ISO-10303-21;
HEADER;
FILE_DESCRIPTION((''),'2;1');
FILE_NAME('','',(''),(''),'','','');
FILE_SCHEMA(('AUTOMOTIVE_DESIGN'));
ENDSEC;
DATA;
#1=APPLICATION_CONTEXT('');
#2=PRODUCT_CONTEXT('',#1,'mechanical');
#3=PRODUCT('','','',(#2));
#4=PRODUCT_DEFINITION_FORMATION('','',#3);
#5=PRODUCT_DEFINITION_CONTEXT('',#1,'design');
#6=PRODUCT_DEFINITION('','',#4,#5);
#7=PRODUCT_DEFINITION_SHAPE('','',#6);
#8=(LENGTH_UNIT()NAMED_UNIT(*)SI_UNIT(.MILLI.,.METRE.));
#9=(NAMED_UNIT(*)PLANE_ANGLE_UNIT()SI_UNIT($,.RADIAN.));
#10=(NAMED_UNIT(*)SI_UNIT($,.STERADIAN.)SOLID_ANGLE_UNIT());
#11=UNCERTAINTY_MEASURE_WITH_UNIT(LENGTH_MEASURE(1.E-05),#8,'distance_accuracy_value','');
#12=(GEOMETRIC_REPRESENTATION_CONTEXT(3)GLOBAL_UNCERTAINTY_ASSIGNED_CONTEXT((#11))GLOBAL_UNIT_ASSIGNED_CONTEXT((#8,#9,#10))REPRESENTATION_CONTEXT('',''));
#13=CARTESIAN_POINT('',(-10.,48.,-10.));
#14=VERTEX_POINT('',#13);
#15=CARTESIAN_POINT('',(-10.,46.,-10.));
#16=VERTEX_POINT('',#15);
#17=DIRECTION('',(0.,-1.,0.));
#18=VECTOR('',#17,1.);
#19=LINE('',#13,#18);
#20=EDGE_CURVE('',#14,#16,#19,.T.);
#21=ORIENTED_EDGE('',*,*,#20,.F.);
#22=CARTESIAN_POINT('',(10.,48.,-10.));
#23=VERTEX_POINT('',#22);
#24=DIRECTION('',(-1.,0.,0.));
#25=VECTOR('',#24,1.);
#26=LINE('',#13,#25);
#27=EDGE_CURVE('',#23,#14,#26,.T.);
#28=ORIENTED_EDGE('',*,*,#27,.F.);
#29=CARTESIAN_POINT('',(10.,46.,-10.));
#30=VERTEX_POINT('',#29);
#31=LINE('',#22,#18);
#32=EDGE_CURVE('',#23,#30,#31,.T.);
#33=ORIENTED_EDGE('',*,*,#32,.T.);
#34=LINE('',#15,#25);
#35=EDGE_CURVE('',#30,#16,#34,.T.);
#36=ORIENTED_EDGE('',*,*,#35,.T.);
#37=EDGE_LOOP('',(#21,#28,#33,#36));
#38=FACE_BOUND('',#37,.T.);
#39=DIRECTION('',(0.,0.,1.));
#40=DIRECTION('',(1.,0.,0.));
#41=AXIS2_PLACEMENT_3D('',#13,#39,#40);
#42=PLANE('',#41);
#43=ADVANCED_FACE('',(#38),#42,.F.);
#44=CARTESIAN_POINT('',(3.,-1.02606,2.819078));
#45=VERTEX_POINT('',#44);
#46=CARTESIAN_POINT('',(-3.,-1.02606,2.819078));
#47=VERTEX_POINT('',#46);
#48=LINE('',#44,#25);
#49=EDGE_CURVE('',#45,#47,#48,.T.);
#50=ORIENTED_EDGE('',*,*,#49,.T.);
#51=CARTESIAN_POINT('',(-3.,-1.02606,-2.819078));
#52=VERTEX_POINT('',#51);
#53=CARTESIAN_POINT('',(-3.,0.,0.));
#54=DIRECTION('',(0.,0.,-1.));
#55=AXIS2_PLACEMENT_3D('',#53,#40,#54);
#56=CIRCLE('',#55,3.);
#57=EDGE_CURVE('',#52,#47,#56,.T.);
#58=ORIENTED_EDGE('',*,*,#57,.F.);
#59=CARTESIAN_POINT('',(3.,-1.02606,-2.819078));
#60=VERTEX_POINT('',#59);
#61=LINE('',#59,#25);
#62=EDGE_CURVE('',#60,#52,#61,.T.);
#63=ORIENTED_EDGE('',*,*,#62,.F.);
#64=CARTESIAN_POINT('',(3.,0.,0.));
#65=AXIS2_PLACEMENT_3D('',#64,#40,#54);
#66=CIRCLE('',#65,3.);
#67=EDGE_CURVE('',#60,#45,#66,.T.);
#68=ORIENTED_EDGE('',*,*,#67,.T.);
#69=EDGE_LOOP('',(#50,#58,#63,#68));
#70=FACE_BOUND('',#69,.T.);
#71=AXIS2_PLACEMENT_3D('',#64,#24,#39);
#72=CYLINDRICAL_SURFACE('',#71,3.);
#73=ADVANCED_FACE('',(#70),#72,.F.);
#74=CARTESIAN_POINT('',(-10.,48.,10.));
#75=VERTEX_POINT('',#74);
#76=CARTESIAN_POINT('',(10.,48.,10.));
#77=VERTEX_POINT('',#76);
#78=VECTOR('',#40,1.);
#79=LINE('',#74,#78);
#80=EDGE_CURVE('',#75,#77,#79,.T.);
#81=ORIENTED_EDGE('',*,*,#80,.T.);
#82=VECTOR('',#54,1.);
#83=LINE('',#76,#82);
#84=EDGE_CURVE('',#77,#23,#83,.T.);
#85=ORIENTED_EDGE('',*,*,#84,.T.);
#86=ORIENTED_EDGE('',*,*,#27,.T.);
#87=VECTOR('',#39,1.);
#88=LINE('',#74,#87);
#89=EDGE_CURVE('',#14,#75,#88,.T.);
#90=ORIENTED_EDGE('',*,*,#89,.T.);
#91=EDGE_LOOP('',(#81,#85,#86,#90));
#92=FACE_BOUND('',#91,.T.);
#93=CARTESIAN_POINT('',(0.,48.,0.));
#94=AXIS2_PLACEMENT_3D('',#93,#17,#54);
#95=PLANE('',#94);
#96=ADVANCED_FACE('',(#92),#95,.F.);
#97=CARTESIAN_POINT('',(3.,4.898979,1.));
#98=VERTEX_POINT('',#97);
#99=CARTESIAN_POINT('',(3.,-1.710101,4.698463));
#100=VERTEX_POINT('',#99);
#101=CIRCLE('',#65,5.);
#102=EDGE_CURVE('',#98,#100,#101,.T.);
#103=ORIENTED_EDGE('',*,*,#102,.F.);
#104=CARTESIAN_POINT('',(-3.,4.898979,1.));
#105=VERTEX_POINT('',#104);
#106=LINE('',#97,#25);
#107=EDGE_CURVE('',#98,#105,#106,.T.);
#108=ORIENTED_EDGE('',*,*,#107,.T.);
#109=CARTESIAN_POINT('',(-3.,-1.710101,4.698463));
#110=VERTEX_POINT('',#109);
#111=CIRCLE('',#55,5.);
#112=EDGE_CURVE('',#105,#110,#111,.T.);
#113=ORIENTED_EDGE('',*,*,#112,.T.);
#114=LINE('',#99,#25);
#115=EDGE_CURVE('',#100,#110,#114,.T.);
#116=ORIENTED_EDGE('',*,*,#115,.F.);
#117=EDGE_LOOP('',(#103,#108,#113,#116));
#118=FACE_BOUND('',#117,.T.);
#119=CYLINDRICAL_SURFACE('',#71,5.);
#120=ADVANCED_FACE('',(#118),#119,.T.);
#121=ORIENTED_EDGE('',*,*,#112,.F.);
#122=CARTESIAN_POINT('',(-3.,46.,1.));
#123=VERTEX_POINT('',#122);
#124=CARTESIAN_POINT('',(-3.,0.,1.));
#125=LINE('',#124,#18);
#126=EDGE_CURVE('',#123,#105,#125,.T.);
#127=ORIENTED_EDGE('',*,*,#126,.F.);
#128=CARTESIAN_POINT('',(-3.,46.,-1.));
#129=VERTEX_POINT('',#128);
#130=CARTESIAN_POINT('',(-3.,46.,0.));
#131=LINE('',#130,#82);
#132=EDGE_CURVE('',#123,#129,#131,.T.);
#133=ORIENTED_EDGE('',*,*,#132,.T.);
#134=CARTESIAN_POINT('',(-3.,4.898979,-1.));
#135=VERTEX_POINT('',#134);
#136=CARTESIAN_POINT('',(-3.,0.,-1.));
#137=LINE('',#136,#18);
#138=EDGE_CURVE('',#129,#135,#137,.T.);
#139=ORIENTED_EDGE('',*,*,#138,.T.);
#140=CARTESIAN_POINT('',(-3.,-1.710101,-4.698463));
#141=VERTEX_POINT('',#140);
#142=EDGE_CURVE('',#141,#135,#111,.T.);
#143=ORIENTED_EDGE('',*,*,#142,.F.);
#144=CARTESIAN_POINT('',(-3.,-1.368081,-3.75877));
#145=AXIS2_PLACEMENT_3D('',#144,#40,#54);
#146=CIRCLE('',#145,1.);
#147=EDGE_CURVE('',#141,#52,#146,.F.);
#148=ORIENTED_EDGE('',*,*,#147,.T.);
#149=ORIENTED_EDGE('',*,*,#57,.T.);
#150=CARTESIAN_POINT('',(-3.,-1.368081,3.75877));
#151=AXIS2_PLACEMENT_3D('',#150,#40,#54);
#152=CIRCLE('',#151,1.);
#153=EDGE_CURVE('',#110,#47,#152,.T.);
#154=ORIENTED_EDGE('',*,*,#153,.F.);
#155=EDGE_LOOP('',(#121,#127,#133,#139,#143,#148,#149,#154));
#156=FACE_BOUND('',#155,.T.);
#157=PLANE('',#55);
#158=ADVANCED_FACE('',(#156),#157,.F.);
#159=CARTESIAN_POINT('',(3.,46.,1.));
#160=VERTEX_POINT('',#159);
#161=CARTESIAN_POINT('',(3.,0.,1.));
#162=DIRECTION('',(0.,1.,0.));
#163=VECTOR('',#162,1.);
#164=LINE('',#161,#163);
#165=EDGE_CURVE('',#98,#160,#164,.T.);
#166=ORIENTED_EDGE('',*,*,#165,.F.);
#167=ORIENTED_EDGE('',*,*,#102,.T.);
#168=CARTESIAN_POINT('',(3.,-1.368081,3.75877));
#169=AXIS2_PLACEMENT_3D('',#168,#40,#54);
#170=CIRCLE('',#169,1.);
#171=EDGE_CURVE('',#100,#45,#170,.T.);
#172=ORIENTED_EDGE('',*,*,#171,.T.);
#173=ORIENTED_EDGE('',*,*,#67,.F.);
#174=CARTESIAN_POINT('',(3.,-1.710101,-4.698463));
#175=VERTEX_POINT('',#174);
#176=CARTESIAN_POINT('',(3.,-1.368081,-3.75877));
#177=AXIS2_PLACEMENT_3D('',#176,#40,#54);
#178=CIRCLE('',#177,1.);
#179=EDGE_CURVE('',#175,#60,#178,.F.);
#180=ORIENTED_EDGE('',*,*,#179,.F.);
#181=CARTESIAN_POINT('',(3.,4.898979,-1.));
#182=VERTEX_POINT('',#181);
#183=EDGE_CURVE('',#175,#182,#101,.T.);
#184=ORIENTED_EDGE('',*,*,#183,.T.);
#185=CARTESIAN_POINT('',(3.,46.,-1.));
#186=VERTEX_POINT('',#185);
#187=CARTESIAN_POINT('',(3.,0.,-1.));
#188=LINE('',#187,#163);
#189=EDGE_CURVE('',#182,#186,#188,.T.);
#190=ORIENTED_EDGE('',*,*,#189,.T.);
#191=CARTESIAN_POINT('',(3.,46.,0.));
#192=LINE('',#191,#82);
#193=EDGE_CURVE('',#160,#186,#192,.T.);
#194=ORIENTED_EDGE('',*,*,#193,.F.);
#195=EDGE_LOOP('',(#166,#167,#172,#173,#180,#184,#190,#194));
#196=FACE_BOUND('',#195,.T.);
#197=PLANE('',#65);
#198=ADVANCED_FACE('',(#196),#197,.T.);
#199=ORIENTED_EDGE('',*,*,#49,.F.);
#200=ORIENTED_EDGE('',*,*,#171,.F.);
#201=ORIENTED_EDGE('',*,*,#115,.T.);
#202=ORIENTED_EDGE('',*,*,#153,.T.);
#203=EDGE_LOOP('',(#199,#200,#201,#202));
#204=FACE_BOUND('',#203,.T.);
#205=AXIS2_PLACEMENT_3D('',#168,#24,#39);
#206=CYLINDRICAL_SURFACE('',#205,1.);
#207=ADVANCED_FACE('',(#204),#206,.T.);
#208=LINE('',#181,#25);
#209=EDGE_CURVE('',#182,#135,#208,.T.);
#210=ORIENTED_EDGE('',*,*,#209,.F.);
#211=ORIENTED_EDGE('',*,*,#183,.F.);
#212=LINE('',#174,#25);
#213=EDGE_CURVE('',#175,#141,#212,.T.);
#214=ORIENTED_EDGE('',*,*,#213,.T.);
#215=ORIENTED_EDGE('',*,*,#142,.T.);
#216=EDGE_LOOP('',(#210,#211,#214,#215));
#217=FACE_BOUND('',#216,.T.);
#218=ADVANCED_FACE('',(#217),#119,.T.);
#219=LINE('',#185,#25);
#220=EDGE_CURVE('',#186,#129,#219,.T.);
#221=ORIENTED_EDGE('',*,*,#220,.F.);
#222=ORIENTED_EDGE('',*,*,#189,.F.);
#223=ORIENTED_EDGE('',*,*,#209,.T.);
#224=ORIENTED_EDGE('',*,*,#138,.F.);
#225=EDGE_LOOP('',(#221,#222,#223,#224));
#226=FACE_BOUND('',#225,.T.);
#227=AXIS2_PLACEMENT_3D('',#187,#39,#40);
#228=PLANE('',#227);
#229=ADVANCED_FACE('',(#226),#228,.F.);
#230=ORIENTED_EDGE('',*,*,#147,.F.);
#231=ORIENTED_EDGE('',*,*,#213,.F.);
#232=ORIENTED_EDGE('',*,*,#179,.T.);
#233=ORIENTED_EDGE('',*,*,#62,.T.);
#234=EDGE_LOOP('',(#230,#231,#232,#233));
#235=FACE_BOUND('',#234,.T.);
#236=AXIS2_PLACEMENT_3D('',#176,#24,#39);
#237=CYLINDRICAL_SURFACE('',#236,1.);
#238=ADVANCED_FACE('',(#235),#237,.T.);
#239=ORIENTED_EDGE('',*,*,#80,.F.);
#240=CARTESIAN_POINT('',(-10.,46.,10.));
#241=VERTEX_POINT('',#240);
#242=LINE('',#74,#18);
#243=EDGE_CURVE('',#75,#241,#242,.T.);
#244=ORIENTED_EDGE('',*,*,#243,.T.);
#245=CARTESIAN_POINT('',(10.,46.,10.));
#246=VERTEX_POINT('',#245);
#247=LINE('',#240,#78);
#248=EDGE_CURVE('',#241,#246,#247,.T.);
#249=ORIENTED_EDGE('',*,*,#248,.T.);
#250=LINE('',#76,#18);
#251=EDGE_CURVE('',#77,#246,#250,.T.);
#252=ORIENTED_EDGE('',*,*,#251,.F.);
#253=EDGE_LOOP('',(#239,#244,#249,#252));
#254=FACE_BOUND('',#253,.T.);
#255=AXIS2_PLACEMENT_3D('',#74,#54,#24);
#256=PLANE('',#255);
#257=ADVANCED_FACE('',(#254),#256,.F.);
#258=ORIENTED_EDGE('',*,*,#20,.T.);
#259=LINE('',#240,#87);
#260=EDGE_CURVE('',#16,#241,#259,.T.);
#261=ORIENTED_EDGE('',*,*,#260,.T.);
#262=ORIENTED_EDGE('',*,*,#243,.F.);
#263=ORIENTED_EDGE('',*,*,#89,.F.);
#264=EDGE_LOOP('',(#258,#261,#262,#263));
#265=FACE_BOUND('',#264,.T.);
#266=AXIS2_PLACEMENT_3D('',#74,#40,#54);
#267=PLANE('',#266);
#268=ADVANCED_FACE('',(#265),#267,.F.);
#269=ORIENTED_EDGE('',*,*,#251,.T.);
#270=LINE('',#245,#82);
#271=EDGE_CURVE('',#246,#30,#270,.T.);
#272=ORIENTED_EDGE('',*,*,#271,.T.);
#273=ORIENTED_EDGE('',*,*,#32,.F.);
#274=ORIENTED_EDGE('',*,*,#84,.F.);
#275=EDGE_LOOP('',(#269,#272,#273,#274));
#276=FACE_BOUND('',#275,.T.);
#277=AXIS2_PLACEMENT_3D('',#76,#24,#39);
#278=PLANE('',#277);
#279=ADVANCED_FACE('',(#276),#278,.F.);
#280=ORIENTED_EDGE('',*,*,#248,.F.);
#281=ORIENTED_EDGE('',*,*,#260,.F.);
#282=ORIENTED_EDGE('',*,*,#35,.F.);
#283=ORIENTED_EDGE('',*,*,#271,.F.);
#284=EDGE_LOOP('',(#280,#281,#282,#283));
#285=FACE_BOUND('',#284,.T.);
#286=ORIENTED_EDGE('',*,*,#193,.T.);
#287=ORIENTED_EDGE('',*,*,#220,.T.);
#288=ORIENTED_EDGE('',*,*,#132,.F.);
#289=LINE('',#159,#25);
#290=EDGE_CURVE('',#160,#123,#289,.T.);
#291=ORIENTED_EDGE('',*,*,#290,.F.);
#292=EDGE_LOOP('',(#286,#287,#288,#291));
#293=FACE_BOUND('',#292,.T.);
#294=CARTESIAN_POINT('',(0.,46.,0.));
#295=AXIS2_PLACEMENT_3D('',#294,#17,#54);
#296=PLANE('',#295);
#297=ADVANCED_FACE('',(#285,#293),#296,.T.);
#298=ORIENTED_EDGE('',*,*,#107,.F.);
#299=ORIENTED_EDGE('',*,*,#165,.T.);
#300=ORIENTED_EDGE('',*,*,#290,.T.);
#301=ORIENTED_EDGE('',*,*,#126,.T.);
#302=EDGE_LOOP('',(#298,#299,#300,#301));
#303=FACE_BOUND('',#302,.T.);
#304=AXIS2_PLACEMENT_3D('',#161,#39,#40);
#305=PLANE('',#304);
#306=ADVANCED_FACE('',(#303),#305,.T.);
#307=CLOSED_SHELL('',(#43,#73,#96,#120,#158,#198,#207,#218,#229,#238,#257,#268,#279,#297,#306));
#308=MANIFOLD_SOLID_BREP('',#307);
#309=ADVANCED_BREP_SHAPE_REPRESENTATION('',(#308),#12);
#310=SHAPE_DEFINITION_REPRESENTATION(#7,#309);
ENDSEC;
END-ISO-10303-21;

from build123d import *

# Parameters (mm, degrees)
BOSS_EXTRUDE1_DEPTH      = 3
BOSS_EXTRUDE1_DEPTH_BACK = 3
BOSS_EXTRUDE2_DEPTH      = 3
BOSS_EXTRUDE3_DEPTH      = 3
SKETCH4_W                = 20
SKETCH4_H                = 20
BOSS_EXTRUDE4_DEPTH      = 2


with BuildPart() as part:
    # Sketch1 → Boss-Extrude1 (new, two sides: drawn at the far end of the back side and taken through both)
    with BuildSketch(Plane(origin=(0, 0, 0), x_dir=(0, 0, -1), z_dir=(1, 0, 0)).offset(-BOSS_EXTRUDE1_DEPTH_BACK)):
        with BuildLine():
            ThreePointArc((-2.819077862, -1.02606043), (0, 3), (2.819077862, -1.02606043))
            ThreePointArc((2.819077862, -1.02606043), (3.41675034, -2.307773194), (4.698463104, -1.710100717))
            ThreePointArc((4.698463104, -1.710100717), (0, 5), (-4.698463104, -1.710100717))
            ThreePointArc((-4.698463104, -1.710100717), (-3.41675034, -2.307773194), (-2.819077862, -1.02606043))
        make_face()
    extrude(amount=BOSS_EXTRUDE1_DEPTH + BOSS_EXTRUDE1_DEPTH_BACK)

    # Sketch2 → Boss-Extrude2 (add)
    with BuildSketch(Plane(origin=(0, 0, 0), x_dir=(0, 0, -1), z_dir=(1, 0, 0))):
        Polygon((-1, 3), (0, 3), (1, 3), (1, 46), (-1, 46), align=None)
    extrude(amount=BOSS_EXTRUDE2_DEPTH)

    # Sketch3 → Boss-Extrude3 (add)
    with BuildSketch(Plane(origin=(0, 0, 0), x_dir=(0, 0, -1), z_dir=(1, 0, 0))):
        Polygon((1, 46), (0, 46), (-1, 46), (-1, 3), (1, 3), align=None)
    extrude(amount=-BOSS_EXTRUDE3_DEPTH)

    # Sketch4 → Boss-Extrude4 (add)
    with BuildSketch(Plane(origin=(0, 46, 0), x_dir=(1, 0, 0), z_dir=(0, 1, 0))):
        Rectangle(SKETCH4_W, SKETCH4_H)
    extrude(amount=BOSS_EXTRUDE4_DEPTH)


solid = part.part
